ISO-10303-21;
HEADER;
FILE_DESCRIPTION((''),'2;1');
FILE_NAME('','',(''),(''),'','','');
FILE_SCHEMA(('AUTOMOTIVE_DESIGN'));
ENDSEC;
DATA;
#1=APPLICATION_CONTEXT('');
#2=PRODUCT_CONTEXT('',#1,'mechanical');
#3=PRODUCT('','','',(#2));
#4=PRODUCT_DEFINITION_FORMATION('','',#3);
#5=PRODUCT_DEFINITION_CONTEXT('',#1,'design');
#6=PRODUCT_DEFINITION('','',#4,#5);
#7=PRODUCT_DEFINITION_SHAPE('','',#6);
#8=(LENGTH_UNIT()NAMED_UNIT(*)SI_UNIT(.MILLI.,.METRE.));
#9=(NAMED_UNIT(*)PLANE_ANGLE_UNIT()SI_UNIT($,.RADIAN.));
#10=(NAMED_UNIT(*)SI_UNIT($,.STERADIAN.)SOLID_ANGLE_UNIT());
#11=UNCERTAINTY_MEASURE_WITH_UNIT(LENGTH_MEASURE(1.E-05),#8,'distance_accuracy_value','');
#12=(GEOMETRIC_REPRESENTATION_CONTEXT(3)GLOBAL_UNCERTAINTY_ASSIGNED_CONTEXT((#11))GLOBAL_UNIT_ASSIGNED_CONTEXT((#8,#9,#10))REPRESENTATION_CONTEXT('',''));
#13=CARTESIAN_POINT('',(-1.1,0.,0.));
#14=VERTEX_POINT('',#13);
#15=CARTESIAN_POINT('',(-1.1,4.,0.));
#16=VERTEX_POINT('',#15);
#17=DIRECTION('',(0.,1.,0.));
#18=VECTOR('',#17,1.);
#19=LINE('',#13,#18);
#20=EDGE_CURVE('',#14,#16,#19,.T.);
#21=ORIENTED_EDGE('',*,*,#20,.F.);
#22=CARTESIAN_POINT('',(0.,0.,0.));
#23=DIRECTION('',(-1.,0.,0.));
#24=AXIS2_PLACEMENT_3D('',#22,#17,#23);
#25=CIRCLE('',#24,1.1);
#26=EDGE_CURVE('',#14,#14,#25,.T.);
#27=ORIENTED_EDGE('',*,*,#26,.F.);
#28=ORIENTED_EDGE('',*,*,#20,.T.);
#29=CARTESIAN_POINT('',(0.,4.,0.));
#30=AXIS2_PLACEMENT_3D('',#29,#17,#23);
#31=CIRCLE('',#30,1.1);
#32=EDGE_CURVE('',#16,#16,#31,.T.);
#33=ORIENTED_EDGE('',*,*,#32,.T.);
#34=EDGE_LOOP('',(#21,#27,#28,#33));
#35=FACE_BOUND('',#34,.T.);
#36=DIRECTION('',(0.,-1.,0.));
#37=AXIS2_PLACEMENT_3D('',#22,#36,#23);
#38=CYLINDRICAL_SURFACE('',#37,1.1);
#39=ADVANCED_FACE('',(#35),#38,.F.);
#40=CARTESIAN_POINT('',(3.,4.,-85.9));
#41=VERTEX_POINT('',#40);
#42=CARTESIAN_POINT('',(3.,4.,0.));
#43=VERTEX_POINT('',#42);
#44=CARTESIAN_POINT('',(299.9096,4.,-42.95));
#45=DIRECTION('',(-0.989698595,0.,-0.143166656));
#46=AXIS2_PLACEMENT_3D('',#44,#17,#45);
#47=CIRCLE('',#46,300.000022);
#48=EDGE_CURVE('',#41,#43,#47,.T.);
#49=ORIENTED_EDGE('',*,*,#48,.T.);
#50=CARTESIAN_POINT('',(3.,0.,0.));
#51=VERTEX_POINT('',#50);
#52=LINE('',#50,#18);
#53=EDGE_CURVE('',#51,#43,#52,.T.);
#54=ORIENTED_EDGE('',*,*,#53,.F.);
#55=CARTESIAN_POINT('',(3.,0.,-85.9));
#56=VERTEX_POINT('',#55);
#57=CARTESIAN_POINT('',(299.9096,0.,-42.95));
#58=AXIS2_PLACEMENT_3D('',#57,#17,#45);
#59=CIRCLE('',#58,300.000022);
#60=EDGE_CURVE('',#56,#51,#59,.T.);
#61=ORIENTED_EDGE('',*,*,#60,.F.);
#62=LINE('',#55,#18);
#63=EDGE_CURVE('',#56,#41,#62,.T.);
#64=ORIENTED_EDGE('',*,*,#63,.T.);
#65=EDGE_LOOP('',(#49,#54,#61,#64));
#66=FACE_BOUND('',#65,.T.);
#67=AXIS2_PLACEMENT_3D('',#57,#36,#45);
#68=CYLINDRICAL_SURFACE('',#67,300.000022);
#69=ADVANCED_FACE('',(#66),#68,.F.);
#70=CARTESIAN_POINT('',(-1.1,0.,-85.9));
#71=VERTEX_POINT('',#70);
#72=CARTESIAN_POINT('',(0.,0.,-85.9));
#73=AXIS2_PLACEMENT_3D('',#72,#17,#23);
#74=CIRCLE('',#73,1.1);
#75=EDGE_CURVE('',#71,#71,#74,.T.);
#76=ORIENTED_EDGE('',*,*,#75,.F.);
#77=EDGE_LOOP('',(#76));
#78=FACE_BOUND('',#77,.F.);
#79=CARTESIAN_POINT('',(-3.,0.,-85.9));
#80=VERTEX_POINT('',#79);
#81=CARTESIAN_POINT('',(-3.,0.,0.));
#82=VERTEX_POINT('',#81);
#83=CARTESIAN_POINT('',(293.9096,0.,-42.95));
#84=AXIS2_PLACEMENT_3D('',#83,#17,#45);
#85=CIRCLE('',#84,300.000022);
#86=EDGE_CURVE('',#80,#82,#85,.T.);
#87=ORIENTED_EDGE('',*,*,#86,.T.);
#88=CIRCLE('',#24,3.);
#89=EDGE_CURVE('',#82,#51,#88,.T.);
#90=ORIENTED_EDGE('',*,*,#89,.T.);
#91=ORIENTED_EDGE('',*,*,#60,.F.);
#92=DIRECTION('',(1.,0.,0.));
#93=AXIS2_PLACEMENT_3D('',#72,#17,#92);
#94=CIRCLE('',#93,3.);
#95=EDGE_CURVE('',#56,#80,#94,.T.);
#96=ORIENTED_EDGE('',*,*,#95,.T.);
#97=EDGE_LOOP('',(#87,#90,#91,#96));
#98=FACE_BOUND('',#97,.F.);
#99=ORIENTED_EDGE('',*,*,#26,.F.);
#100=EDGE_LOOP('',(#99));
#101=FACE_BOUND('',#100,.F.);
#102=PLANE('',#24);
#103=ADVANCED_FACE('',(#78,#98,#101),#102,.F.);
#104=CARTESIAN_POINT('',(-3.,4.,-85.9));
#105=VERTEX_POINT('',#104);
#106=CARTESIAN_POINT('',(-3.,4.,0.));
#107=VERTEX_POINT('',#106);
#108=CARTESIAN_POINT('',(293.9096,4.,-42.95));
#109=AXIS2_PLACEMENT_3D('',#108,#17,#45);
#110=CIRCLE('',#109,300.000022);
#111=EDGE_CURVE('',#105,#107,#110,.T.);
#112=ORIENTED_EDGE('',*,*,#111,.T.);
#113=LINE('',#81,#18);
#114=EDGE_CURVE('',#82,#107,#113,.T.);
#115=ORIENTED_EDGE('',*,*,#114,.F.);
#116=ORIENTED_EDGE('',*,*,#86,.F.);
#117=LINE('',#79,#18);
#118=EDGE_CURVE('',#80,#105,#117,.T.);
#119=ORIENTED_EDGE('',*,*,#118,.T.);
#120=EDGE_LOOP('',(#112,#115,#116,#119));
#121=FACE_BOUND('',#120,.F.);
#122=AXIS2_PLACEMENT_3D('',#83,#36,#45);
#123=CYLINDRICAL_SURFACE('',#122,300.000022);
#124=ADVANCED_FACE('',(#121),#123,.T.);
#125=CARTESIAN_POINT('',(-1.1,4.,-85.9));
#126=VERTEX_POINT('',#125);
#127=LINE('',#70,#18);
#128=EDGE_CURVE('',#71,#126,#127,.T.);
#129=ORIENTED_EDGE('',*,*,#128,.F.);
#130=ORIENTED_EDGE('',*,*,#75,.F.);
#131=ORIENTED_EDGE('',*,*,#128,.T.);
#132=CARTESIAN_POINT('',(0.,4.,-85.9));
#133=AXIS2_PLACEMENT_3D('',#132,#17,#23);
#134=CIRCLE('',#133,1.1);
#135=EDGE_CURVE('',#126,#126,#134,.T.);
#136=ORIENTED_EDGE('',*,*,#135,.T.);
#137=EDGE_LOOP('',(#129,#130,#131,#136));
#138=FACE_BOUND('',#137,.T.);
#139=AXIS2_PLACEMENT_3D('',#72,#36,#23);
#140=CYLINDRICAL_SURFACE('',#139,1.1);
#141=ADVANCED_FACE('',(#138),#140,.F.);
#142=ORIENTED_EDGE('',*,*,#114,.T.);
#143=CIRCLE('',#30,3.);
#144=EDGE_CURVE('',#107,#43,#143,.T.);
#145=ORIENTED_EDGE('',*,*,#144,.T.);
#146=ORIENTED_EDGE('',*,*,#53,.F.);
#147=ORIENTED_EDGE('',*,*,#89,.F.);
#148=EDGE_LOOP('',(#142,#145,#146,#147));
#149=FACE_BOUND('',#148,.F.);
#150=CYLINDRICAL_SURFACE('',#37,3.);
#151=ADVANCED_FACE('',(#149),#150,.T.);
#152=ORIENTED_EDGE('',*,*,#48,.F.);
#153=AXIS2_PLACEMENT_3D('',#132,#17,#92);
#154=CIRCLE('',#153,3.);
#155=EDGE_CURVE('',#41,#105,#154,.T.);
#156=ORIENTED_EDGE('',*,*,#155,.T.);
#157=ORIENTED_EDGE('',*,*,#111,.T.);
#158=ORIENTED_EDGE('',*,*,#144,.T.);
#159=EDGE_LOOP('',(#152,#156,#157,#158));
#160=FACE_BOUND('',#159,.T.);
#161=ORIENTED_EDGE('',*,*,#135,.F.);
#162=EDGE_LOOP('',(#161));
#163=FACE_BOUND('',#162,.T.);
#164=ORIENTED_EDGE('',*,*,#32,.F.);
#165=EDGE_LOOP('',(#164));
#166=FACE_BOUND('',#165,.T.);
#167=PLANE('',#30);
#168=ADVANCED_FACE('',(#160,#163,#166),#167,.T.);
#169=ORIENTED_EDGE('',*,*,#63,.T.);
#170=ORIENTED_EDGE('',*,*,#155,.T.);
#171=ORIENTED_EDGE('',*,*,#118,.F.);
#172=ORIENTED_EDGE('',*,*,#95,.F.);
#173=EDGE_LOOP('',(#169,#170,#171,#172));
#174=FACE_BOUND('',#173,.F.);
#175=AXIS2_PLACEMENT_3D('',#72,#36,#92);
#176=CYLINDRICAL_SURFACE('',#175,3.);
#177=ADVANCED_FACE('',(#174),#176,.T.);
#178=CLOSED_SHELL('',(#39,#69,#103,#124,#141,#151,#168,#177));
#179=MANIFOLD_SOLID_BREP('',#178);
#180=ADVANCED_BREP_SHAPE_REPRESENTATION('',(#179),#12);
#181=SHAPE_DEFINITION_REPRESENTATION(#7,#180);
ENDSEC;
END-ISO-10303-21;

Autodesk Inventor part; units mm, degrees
ref_plane "YZ Plane" through (0, 0, 0) normal (1, 0, 0) x (0, 1, 0)
ref_plane "XZ Plane" through (0, 0, 0) normal (0, 1, 0) x (-1, 0, 0)
ref_plane "XY Plane" through (0, 0, 0) normal (0, 0, 1) x (1, 0, 0)
sketch "Sketch1" plane through (0, 0, 0) normal (0, 1, 0) x (-1, 0, 0)
  line L0 (0, 0) -> (0, -85.9) construction
  line L1 (3, 0) -> (3, -85.9)
  line L2 (-3, -85.9) -> (-3, 0)
  arc A0 (3, 0) -> (-3, 0) centre (0, 0) ccw
  arc A1 (-3, -85.9) -> (3, -85.9) centre (0, -85.9) ccw
  circle A2 centre (0, 0) radius 1.1
  circle A3 centre (0, -85.9) radius 1.1
  arc A4 (-3, -85.9) -> (-3, 0) centre (-299.9096, -42.95) ccw
  arc A5 (3, -85.9) -> (3, 0) centre (-293.9096, -42.95) ccw
  point P0 (0, -42.95)
  dimension "d0" = 2.2
  dimension "d1" = 2.2
  dimension "d2" = 6
  dimension "d3" = 85.9
  dimension "d10" = 300
  dimension "d11" = 300
extrude "Extrusion1" add sketch "Sketch1" along normal blind 4 contours A5 L1 | L1 A1 A4 A0
